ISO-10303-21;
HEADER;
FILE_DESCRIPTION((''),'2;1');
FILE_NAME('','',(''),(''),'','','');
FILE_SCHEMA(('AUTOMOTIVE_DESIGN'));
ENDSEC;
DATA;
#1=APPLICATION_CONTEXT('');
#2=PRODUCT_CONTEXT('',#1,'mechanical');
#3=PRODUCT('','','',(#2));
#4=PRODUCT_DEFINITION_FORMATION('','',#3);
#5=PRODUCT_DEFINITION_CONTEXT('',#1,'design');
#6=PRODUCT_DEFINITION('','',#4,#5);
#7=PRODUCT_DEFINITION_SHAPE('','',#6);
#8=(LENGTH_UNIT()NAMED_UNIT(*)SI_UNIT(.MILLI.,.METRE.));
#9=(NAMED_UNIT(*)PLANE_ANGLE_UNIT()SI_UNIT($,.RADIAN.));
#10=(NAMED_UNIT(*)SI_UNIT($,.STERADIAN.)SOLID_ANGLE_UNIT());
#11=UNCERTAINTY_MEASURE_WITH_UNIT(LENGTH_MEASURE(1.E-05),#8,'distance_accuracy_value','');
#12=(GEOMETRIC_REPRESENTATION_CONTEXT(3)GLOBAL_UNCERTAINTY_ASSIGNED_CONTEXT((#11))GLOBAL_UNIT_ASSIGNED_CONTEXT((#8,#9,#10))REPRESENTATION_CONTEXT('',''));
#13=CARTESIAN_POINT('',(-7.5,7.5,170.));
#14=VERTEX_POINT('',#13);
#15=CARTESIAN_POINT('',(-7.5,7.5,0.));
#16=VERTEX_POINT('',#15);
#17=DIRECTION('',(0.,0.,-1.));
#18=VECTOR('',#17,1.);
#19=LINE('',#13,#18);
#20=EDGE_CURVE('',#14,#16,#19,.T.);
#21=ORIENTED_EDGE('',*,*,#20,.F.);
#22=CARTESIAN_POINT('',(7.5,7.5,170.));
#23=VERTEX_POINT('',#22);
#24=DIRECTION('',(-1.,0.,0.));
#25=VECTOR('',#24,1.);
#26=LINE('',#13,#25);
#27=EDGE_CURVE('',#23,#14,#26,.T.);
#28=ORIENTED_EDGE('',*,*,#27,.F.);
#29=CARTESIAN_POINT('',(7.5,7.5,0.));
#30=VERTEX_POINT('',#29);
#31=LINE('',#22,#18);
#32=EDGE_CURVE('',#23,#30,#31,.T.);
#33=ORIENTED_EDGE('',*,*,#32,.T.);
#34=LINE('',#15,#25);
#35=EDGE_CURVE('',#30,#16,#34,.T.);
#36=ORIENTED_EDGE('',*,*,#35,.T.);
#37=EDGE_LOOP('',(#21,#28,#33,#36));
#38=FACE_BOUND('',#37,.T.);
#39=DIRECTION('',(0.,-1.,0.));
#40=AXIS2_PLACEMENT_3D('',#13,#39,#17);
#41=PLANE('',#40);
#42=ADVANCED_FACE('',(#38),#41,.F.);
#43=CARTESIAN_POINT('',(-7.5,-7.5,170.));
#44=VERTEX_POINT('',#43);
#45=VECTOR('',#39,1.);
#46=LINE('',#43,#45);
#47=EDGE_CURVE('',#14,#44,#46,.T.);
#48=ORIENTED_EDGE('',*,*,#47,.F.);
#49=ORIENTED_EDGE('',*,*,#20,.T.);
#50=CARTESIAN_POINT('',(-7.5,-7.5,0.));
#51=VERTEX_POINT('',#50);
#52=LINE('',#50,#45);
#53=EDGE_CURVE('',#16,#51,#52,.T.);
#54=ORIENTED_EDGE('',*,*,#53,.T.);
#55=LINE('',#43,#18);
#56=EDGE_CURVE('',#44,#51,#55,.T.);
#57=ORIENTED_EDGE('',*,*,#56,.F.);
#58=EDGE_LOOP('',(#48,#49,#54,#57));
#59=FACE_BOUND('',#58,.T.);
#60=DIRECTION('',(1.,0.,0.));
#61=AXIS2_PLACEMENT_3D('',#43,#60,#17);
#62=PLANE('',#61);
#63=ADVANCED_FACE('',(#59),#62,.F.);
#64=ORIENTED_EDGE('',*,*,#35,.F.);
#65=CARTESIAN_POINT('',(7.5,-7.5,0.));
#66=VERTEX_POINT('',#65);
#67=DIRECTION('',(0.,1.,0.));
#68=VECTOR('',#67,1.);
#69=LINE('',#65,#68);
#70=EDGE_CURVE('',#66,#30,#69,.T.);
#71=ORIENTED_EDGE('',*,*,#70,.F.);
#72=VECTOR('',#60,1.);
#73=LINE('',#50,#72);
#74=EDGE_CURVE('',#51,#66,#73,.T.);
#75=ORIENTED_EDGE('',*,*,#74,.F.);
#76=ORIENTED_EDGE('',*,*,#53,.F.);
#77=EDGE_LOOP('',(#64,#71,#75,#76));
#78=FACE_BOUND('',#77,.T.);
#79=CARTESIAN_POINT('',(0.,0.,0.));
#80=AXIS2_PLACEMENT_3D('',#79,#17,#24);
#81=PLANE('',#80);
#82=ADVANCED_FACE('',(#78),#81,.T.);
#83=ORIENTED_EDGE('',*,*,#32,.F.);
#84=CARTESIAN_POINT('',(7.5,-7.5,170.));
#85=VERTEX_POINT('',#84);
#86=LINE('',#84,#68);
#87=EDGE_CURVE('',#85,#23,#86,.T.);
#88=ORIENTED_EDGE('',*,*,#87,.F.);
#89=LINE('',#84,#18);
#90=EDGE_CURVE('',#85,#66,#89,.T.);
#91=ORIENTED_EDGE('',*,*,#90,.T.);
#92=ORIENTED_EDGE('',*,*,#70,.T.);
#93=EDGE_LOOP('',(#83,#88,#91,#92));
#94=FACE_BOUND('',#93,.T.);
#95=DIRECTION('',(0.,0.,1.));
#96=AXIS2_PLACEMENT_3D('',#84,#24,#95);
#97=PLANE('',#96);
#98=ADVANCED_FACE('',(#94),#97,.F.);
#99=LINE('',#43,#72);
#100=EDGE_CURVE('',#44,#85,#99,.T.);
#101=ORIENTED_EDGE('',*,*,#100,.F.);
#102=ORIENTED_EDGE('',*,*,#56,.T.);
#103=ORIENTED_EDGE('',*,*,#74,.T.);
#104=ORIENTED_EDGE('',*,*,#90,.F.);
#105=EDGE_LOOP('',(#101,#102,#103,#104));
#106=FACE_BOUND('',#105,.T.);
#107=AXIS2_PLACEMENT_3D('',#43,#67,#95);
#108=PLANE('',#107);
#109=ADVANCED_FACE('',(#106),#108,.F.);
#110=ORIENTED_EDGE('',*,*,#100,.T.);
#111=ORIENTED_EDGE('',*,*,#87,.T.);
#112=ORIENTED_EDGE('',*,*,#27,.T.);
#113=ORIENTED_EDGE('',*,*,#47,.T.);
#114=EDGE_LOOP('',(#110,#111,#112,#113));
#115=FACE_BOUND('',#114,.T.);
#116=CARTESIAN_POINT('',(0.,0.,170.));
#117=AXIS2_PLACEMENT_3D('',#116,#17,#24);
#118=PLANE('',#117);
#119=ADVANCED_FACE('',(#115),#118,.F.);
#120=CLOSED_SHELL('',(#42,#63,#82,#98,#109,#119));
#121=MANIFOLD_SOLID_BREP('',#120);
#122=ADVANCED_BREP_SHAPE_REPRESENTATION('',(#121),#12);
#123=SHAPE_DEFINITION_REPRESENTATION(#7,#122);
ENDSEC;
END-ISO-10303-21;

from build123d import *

# Parameters (mm, degrees)
ESQUISSE1_W        = 15
ESQUISSE1_H        = 15
BOSS_EXTRU_1_DEPTH = 170


with BuildPart() as part:
    # Esquisse1 → Boss.-Extru.1 (new body)
    with BuildSketch(Plane.XY):
        Rectangle(ESQUISSE1_W, ESQUISSE1_H)
    extrude(amount=BOSS_EXTRU_1_DEPTH)


solid = part.part
